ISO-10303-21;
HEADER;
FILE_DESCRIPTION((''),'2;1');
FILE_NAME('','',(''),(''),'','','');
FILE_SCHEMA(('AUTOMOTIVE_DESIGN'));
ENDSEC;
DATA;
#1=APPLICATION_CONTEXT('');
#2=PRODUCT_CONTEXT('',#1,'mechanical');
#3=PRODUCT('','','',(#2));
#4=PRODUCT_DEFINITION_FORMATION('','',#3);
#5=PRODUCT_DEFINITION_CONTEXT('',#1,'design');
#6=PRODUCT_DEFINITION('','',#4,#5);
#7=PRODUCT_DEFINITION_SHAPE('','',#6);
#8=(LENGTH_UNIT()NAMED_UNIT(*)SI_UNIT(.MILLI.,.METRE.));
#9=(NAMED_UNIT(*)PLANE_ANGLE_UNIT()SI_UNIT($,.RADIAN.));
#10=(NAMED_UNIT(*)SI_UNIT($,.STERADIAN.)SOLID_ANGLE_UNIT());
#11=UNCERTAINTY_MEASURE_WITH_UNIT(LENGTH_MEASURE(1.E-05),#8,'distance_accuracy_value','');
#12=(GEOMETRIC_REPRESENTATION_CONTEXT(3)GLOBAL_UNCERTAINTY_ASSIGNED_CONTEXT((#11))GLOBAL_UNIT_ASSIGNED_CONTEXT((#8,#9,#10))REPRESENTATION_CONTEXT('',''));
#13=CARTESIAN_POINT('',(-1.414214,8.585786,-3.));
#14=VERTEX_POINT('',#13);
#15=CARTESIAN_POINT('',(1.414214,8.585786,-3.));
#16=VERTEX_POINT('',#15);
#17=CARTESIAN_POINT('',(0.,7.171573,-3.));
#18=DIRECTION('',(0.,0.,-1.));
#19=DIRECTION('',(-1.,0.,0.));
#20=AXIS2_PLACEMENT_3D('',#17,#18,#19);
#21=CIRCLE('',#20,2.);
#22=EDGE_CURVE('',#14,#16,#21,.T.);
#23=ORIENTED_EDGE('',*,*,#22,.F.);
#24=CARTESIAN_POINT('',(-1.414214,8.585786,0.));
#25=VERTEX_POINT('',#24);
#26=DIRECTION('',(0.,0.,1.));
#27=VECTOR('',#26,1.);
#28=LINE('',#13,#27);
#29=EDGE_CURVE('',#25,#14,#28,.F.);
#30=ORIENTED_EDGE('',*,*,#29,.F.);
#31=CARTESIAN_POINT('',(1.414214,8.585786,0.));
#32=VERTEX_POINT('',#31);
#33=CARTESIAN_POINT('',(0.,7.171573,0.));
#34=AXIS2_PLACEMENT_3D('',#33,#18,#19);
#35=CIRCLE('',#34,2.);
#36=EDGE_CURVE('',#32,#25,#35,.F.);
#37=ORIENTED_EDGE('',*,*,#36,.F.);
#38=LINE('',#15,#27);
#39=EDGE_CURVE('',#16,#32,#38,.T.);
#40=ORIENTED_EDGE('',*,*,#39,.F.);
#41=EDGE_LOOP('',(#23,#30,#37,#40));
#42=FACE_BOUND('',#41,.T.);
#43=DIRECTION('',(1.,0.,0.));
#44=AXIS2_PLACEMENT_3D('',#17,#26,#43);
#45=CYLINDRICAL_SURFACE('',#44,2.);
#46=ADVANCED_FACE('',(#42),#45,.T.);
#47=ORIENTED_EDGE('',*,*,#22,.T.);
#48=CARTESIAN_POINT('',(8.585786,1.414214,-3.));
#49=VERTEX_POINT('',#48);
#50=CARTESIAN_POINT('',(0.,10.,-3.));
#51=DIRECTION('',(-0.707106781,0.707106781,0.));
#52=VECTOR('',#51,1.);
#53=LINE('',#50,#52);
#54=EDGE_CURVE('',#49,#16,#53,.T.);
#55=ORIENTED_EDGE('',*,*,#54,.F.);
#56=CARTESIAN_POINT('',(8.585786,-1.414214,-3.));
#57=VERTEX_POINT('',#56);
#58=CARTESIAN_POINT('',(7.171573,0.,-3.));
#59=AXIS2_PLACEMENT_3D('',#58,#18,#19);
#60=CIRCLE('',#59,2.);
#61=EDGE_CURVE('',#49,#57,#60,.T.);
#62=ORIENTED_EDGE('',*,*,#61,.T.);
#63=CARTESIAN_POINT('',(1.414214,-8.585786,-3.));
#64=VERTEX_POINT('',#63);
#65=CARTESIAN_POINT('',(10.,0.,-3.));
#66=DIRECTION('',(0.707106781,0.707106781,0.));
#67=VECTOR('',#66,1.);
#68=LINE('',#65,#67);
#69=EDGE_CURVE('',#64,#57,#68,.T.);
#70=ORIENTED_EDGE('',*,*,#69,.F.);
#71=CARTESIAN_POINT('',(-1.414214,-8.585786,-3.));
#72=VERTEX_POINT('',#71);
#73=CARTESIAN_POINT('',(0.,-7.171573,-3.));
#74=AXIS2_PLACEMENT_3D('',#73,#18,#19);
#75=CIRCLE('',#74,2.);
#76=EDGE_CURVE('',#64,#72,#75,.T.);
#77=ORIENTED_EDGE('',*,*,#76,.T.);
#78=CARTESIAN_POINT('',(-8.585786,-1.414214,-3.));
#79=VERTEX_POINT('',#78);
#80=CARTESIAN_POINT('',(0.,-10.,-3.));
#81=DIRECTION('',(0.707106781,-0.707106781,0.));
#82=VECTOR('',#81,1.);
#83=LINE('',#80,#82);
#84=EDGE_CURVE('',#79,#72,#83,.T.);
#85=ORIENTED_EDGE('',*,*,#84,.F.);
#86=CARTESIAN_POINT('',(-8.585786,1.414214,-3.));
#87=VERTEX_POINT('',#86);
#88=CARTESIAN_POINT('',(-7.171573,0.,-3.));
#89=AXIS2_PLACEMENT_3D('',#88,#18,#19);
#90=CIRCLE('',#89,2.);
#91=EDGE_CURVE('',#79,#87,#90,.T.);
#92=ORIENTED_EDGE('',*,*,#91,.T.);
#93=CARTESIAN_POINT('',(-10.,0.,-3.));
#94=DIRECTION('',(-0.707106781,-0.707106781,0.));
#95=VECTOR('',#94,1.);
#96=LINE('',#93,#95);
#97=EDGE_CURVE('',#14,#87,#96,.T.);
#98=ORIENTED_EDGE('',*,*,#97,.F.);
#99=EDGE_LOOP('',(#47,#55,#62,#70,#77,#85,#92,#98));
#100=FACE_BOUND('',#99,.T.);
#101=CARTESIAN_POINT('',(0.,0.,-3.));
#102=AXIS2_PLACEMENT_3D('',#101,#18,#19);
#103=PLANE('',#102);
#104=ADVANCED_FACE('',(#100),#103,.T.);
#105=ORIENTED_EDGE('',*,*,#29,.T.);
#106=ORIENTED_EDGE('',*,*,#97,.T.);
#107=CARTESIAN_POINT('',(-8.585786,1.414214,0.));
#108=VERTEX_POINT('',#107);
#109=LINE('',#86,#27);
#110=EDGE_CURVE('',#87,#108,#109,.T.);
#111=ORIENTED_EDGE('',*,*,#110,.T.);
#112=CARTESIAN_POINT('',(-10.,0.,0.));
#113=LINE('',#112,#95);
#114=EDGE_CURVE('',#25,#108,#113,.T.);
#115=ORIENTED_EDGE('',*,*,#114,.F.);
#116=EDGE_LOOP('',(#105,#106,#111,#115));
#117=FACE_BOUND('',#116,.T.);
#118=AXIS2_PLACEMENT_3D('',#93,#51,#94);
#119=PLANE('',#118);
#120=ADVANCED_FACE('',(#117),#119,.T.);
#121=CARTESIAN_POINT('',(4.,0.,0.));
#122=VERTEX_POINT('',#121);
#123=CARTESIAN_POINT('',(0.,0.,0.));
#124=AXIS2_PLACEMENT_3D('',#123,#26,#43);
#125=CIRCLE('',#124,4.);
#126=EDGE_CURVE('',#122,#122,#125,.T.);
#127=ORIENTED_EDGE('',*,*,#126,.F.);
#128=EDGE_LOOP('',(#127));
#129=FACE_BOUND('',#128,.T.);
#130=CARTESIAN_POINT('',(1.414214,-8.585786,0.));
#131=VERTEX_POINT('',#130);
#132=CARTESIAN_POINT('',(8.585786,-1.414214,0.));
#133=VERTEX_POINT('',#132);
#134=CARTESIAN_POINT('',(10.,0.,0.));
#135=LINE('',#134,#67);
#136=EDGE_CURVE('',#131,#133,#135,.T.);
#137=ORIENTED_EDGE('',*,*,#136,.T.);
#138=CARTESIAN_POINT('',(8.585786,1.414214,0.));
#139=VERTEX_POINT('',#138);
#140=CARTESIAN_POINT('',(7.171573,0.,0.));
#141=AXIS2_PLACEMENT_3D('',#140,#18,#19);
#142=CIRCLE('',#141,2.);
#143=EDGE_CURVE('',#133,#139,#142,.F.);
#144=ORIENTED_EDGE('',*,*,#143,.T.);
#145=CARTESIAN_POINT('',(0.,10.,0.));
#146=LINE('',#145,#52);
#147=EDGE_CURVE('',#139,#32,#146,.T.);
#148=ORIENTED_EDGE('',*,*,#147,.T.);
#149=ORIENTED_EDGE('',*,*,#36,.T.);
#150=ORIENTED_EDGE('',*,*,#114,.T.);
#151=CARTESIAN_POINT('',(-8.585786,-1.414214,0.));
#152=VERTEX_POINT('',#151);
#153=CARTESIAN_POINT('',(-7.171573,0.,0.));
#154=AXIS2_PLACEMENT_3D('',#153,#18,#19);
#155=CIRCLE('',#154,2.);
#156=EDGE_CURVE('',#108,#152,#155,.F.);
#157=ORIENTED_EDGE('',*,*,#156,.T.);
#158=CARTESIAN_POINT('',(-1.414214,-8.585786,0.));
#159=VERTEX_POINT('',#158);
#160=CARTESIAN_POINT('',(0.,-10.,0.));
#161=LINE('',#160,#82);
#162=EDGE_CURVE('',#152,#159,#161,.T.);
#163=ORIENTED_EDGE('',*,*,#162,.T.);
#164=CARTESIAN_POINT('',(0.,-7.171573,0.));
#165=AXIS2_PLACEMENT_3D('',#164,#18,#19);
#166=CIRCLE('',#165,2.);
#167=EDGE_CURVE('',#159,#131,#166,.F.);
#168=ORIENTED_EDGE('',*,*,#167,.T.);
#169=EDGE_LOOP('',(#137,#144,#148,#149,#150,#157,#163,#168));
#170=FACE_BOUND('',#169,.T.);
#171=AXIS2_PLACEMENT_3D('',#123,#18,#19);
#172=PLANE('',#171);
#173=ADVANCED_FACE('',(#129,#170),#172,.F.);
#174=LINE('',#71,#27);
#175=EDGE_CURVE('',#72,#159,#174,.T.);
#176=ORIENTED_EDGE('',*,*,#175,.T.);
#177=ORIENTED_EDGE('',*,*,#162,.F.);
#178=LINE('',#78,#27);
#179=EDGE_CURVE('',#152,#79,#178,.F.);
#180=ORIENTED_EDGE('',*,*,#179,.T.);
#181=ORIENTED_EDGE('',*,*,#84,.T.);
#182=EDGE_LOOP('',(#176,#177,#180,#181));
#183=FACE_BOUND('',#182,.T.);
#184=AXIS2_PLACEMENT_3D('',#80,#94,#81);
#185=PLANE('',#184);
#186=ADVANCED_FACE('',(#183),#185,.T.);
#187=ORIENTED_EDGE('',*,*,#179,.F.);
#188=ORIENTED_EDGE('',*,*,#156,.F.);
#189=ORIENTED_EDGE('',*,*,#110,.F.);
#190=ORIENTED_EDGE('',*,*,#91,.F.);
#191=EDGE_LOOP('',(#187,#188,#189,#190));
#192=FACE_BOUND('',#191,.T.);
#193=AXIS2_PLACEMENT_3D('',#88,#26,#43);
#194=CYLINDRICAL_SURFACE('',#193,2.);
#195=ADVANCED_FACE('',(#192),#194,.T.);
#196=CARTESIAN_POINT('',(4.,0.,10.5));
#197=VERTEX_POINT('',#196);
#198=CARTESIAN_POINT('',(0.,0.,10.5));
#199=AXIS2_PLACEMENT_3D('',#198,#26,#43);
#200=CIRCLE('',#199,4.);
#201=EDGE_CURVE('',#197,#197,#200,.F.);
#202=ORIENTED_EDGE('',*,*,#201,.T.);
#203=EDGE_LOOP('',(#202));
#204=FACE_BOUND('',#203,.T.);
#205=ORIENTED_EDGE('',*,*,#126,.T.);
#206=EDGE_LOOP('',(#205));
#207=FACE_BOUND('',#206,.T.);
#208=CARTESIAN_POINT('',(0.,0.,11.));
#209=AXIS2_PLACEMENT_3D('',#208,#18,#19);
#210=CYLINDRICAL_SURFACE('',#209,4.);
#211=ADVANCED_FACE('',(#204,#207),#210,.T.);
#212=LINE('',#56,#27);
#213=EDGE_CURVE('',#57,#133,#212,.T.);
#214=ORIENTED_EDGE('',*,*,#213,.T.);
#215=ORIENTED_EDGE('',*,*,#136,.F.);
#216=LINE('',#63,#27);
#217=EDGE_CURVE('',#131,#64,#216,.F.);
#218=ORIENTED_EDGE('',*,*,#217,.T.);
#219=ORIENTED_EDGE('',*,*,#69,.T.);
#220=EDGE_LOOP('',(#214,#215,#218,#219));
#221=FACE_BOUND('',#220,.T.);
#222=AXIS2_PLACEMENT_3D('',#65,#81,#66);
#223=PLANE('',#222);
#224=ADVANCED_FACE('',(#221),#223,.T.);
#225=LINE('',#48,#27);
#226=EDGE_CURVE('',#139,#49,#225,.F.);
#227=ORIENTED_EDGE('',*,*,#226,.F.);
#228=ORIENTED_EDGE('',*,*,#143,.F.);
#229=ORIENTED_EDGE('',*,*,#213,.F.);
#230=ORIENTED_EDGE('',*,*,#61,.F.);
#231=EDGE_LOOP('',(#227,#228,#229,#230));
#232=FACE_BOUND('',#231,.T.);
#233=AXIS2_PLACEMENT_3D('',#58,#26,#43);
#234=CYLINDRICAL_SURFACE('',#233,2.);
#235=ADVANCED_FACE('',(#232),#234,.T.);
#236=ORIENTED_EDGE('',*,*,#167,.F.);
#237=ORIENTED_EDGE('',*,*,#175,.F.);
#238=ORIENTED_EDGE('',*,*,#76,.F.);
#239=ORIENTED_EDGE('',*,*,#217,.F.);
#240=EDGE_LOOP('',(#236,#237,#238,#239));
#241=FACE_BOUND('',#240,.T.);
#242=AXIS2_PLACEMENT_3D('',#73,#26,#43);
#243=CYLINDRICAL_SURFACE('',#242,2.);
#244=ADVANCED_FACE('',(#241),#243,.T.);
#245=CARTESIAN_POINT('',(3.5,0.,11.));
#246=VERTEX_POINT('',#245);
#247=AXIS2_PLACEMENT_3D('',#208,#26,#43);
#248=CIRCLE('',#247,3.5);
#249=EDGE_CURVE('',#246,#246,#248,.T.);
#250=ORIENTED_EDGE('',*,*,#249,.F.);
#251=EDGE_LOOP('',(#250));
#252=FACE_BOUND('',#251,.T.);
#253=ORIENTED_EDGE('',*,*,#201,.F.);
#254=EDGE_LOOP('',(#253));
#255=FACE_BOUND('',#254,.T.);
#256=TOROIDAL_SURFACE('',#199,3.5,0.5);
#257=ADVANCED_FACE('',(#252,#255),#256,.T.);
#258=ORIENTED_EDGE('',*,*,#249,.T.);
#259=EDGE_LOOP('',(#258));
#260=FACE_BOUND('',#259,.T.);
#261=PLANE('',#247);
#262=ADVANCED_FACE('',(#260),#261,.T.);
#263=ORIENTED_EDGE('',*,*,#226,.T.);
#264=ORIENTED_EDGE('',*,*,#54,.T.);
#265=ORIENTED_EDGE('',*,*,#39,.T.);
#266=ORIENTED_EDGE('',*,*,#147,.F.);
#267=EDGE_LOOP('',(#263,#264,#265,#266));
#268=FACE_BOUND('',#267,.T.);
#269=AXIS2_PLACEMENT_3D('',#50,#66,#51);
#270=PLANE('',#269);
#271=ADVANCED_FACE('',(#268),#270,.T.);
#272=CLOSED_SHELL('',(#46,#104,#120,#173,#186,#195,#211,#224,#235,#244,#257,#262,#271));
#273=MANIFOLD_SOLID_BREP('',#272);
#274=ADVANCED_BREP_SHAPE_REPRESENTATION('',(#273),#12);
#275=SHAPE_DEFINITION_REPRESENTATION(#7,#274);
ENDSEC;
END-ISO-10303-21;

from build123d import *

# Parameters (mm, degrees)
BOSS_EXTRUDE1_DEPTH = 3
SKETCH2_R           = 4
BOSS_EXTRUDE2_DEPTH = 11
FILLET1_R           = 2
FILLET2_R           = 0.5


with BuildPart() as part:
    # Sketch1 → Boss-Extrude1 (new body)
    with BuildSketch(Plane.XY):
        Polygon((0, 10), (10, 0), (0, -10), (-10, 0), align=None)
    extrude(amount=-BOSS_EXTRUDE1_DEPTH)

    # Sketch2 → Boss-Extrude2 (add)
    with BuildSketch(Plane.XY):
        Circle(SKETCH2_R)
    extrude(amount=BOSS_EXTRUDE2_DEPTH)

    # Fillet1
    fillet1_edges = [part.edges().sort_by_distance(p)[0] for p in [
        (0, 10, -1.5),
        (10, 0, -1.5),
        (0, -10, -1.5),
        (-10, 0, -1.5),
    ]]
    fillet(fillet1_edges, radius=FILLET1_R)

    # Fillet2
    fillet2_edges = [part.edges().sort_by_distance(p)[0] for p in [
        (-4, 0, 11),
    ]]
    fillet(fillet2_edges, radius=FILLET2_R)


solid = part.part
